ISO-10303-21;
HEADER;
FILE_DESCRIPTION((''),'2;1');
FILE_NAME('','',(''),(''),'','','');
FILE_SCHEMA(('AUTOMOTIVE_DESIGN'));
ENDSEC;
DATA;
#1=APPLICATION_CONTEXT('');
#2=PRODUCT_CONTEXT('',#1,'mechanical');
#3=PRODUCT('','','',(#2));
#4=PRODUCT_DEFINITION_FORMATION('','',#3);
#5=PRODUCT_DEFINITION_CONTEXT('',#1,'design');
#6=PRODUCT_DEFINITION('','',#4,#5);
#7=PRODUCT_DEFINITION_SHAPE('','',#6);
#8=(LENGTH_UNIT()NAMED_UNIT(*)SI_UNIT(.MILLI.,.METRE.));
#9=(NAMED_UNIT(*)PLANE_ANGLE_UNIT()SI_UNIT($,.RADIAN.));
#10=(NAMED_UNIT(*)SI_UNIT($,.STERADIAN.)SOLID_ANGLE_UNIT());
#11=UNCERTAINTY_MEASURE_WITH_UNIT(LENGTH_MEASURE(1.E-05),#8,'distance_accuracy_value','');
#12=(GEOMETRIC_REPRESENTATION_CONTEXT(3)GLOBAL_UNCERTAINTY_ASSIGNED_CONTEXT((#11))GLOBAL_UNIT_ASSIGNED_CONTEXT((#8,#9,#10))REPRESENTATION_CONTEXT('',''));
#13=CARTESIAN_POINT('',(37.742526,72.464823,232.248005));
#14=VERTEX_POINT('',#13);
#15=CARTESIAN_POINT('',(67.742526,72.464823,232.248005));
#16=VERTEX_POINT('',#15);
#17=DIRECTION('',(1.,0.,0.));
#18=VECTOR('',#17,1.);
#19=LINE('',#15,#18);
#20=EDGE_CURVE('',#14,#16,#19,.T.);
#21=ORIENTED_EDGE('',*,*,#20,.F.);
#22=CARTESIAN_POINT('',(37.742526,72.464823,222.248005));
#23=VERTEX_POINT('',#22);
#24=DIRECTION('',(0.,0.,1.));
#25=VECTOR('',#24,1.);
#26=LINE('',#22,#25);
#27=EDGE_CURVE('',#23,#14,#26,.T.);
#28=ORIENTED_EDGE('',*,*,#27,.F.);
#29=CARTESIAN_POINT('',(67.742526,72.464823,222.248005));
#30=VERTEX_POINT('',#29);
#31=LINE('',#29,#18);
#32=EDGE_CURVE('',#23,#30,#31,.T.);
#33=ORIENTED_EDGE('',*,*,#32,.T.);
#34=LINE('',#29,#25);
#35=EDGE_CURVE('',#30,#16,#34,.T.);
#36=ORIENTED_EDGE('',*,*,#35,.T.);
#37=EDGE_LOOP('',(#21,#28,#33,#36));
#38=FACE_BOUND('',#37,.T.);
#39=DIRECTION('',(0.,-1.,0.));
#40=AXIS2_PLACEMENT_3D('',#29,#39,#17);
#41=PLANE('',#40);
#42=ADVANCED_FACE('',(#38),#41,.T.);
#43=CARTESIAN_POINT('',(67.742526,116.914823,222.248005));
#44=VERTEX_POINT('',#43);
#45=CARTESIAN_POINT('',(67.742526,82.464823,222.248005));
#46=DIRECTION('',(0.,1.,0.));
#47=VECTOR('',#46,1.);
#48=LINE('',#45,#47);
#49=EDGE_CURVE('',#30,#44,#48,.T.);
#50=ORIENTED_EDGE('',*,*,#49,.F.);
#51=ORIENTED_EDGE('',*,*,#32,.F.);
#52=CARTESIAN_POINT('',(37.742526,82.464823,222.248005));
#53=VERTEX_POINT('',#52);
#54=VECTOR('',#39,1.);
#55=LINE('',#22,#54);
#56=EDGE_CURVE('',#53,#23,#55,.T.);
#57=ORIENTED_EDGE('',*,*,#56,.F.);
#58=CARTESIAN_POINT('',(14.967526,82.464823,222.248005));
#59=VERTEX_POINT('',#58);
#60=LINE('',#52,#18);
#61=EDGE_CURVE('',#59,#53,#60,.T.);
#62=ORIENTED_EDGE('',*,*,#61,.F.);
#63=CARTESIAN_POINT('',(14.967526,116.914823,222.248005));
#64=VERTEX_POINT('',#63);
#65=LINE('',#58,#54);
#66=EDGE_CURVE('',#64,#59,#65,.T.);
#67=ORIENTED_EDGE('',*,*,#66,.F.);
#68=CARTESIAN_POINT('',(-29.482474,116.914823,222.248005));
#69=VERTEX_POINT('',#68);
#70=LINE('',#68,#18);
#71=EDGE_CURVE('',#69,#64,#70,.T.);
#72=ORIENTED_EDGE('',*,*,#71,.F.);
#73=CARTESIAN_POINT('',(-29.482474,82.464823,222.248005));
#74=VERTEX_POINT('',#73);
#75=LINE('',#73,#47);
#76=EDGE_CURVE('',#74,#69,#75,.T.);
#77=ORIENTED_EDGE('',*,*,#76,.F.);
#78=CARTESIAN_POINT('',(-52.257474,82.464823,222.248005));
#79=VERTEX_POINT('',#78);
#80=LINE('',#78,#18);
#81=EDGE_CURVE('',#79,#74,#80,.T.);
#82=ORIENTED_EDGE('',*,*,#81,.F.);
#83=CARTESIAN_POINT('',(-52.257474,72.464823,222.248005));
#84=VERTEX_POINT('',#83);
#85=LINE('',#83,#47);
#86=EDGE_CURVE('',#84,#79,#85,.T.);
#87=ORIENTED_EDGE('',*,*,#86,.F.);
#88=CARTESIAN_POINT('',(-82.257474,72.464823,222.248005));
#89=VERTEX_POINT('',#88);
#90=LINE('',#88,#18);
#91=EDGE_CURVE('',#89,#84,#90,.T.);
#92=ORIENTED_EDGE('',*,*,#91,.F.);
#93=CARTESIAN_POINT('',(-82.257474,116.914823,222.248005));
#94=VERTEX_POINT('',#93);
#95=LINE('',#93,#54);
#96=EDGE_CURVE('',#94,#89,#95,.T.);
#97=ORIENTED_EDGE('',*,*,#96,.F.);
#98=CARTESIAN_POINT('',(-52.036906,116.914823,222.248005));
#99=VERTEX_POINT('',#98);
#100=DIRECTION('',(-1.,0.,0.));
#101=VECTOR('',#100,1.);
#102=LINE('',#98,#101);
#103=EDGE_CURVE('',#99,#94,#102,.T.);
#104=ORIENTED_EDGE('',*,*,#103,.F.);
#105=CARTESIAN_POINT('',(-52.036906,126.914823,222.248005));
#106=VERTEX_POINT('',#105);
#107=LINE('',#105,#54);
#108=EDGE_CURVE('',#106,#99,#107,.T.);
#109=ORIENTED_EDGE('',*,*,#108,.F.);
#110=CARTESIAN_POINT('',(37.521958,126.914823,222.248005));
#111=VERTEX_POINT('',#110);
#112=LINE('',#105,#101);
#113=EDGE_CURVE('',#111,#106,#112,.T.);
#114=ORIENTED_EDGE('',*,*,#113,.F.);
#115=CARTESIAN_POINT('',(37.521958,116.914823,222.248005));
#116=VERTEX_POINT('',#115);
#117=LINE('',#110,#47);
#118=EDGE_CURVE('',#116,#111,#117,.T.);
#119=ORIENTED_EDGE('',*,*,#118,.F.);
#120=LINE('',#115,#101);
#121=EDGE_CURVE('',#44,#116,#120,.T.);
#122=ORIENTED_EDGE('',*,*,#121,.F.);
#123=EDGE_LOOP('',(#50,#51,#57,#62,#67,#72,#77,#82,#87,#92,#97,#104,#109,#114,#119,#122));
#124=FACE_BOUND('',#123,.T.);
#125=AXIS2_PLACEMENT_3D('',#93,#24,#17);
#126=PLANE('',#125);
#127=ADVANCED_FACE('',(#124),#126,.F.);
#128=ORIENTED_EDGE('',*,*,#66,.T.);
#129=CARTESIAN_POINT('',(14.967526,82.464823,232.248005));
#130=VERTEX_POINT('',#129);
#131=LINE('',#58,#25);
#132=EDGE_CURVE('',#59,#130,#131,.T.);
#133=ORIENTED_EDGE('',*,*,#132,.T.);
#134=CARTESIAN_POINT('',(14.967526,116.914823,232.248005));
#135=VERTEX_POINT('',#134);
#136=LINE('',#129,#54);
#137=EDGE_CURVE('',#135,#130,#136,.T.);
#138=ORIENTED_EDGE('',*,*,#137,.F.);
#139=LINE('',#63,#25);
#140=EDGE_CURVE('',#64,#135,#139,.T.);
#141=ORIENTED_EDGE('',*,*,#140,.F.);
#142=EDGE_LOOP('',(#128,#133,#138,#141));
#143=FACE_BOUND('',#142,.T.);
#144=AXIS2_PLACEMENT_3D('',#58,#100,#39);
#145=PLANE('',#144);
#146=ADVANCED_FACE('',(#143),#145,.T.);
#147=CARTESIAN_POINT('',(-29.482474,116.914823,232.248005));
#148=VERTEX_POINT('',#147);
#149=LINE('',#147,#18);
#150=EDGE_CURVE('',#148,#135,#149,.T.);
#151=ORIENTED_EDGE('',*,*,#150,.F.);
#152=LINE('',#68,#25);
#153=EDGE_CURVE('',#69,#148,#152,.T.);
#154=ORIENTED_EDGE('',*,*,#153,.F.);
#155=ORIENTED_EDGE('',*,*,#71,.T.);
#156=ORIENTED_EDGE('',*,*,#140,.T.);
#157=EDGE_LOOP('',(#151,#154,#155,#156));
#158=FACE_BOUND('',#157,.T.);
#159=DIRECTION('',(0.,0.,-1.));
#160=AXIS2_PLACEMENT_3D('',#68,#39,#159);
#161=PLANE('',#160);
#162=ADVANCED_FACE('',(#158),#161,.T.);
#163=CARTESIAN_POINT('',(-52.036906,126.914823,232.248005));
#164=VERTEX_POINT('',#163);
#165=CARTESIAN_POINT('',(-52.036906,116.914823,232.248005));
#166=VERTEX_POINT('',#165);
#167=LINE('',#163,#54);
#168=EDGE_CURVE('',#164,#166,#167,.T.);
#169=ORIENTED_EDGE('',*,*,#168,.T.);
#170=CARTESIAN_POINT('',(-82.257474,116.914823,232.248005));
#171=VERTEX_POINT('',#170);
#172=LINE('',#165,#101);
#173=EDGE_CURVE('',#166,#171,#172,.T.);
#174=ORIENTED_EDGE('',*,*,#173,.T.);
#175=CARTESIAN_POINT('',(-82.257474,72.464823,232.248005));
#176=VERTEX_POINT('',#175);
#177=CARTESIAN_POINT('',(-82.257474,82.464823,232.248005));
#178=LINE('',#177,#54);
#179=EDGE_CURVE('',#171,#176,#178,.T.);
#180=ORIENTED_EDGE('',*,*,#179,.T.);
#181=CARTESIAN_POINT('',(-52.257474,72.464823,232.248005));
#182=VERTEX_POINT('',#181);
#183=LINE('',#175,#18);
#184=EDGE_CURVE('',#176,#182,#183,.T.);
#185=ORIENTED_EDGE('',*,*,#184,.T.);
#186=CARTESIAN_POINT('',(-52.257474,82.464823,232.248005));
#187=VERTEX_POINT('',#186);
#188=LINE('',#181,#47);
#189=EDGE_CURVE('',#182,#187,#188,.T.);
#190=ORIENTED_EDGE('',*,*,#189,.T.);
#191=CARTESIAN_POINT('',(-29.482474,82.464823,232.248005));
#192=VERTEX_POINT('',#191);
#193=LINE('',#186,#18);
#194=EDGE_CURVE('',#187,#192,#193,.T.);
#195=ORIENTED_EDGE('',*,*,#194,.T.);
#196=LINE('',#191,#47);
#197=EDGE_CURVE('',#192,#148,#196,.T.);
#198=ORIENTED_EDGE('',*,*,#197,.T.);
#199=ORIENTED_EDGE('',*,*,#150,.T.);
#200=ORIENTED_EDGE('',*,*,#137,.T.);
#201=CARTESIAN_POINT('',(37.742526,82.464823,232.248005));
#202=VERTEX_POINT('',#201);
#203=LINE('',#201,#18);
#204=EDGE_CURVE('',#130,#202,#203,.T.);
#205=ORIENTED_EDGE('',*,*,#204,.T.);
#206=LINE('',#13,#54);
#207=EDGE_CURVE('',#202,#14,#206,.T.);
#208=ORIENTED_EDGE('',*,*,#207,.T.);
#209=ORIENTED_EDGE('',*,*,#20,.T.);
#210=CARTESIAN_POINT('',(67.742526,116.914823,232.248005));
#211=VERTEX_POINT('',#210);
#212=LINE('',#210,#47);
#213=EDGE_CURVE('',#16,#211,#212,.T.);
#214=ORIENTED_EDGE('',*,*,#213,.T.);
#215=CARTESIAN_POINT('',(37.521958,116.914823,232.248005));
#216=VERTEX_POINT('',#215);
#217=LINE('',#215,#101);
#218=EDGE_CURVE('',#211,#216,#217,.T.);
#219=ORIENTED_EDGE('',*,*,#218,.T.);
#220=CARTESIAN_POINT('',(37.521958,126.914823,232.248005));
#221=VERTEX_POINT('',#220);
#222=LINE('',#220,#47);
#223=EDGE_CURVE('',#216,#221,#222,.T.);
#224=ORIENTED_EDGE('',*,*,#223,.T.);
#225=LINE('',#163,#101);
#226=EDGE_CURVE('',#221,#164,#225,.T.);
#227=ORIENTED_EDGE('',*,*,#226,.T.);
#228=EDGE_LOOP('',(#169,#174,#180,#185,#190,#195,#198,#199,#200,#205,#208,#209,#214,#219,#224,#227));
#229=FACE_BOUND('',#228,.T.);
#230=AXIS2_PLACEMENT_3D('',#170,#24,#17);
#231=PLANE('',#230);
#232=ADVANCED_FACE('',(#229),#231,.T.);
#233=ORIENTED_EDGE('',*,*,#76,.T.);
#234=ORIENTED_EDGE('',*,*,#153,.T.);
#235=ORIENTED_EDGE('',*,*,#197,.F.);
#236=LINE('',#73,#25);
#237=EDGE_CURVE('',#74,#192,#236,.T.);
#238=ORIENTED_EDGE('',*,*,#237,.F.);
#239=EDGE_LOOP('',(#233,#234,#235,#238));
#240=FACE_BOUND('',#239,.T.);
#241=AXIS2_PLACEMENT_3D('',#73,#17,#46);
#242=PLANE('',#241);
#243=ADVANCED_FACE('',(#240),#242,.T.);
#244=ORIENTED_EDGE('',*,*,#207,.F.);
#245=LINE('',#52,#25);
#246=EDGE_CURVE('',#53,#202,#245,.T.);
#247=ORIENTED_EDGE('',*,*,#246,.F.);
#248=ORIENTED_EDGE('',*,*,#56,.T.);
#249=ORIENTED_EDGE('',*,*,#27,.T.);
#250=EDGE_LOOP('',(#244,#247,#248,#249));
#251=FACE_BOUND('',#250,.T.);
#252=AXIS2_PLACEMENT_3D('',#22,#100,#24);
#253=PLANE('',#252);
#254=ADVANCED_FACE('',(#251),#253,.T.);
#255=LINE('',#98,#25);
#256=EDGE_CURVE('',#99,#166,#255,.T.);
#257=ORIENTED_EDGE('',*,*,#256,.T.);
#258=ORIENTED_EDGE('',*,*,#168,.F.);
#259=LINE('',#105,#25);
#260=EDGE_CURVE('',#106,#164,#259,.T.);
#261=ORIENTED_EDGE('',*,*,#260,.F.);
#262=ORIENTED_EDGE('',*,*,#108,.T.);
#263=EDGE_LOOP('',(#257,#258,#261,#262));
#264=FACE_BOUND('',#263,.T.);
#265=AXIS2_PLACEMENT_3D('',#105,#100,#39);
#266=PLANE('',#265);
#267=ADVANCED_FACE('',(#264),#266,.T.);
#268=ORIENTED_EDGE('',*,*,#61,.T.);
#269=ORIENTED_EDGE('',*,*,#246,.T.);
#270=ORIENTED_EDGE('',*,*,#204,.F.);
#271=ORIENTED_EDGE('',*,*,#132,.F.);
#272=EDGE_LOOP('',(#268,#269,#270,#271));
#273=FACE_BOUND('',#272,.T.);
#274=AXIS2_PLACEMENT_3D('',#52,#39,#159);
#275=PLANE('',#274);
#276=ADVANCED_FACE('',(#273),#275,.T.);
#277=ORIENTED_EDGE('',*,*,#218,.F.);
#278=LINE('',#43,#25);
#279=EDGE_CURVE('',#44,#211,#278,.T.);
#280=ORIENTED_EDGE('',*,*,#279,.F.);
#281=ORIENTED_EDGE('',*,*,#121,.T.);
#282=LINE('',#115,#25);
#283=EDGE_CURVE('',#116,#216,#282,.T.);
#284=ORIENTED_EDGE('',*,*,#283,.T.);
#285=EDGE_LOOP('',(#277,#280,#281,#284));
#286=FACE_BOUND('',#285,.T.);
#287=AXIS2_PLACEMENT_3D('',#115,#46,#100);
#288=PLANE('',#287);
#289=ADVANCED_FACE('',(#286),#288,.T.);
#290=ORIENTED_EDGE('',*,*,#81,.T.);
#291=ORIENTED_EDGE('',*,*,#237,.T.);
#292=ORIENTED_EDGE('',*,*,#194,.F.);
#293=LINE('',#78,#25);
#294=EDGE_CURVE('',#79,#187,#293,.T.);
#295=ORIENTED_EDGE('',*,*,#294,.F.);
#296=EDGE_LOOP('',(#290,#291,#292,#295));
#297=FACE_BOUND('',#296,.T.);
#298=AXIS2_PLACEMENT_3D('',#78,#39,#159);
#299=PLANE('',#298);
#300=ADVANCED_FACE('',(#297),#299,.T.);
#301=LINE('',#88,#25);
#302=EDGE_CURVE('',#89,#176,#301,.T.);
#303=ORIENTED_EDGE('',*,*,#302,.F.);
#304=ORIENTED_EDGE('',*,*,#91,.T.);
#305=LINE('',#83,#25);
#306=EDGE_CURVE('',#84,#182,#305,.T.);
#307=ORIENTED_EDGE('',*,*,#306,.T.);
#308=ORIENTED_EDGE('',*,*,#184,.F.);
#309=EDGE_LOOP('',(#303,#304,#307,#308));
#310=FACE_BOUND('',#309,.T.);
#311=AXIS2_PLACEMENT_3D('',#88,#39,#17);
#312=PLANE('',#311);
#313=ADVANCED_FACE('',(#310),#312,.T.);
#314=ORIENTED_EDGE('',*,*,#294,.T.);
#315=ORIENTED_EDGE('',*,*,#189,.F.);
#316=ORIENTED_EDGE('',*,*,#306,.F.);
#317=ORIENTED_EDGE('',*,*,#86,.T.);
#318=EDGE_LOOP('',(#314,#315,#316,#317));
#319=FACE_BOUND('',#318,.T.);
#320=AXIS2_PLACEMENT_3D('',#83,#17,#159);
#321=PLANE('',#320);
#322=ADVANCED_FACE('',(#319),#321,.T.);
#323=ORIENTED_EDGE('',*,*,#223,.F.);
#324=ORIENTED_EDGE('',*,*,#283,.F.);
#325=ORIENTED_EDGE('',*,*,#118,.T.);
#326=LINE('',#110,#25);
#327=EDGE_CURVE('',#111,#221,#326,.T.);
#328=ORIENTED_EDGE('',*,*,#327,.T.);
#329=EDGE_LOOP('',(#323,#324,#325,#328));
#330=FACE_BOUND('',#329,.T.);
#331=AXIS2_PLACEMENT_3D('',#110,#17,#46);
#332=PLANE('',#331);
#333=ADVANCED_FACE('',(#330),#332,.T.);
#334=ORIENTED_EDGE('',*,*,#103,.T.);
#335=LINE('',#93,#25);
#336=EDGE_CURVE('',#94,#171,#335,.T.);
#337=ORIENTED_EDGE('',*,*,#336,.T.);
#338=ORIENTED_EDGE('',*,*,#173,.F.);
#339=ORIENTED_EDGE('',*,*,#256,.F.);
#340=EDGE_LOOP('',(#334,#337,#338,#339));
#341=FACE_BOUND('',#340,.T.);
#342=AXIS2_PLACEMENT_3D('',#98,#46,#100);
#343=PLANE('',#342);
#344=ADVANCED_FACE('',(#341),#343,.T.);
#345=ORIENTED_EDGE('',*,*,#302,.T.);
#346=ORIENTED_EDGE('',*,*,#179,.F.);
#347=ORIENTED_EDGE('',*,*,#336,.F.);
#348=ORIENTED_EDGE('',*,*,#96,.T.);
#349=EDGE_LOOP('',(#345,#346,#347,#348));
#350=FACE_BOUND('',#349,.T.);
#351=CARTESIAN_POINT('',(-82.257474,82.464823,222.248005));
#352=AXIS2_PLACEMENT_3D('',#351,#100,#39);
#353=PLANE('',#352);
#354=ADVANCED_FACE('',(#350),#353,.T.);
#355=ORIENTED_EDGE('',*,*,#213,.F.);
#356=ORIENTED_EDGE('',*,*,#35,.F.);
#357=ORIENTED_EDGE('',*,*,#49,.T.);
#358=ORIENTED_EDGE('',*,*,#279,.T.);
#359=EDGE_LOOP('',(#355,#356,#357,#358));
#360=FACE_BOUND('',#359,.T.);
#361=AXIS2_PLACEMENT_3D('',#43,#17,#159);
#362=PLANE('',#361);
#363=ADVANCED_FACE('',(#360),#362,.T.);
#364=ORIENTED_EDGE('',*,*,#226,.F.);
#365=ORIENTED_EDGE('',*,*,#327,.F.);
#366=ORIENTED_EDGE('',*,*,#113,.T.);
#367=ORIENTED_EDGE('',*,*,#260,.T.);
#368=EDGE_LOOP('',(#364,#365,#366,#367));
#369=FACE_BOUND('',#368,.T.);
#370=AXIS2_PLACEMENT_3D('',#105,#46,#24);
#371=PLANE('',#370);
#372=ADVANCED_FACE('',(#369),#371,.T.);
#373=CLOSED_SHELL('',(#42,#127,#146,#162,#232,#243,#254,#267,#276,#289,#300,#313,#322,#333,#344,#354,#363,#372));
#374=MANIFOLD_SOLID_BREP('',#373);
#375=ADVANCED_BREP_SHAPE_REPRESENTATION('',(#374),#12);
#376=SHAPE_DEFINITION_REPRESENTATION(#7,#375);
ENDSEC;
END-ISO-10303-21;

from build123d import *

# Parameters (mm, degrees)
BOSS_EXTRUDE1_DEPTH = 10


with BuildPart() as part:
    # Sketch1 → Boss-Extrude1 (new body)
    with BuildSketch(Plane.XY.offset(232.248004761)):
        Polygon((-82.257473883, 116.914823413), (-82.257473883, 82.464823413), (-82.257473883, 72.464823413), (-52.257473883, 72.464823413), (-52.257473883, 82.464823413), (-29.482473883, 82.464823413), (-29.482473883, 116.914823413), (14.967526117, 116.914823413), (14.967526117, 82.464823413), (37.742526117, 82.464823413), (37.742526117, 72.464823413), (67.742526117, 72.464823413), (67.742526117, 82.464823413), (67.742526117, 116.914823413), (37.52195778, 116.914823413), (37.52195778, 126.914823413), (-52.036905545, 126.914823413), (-52.036905545, 116.914823413), align=None)
    extrude(amount=-BOSS_EXTRUDE1_DEPTH)


solid = part.part
